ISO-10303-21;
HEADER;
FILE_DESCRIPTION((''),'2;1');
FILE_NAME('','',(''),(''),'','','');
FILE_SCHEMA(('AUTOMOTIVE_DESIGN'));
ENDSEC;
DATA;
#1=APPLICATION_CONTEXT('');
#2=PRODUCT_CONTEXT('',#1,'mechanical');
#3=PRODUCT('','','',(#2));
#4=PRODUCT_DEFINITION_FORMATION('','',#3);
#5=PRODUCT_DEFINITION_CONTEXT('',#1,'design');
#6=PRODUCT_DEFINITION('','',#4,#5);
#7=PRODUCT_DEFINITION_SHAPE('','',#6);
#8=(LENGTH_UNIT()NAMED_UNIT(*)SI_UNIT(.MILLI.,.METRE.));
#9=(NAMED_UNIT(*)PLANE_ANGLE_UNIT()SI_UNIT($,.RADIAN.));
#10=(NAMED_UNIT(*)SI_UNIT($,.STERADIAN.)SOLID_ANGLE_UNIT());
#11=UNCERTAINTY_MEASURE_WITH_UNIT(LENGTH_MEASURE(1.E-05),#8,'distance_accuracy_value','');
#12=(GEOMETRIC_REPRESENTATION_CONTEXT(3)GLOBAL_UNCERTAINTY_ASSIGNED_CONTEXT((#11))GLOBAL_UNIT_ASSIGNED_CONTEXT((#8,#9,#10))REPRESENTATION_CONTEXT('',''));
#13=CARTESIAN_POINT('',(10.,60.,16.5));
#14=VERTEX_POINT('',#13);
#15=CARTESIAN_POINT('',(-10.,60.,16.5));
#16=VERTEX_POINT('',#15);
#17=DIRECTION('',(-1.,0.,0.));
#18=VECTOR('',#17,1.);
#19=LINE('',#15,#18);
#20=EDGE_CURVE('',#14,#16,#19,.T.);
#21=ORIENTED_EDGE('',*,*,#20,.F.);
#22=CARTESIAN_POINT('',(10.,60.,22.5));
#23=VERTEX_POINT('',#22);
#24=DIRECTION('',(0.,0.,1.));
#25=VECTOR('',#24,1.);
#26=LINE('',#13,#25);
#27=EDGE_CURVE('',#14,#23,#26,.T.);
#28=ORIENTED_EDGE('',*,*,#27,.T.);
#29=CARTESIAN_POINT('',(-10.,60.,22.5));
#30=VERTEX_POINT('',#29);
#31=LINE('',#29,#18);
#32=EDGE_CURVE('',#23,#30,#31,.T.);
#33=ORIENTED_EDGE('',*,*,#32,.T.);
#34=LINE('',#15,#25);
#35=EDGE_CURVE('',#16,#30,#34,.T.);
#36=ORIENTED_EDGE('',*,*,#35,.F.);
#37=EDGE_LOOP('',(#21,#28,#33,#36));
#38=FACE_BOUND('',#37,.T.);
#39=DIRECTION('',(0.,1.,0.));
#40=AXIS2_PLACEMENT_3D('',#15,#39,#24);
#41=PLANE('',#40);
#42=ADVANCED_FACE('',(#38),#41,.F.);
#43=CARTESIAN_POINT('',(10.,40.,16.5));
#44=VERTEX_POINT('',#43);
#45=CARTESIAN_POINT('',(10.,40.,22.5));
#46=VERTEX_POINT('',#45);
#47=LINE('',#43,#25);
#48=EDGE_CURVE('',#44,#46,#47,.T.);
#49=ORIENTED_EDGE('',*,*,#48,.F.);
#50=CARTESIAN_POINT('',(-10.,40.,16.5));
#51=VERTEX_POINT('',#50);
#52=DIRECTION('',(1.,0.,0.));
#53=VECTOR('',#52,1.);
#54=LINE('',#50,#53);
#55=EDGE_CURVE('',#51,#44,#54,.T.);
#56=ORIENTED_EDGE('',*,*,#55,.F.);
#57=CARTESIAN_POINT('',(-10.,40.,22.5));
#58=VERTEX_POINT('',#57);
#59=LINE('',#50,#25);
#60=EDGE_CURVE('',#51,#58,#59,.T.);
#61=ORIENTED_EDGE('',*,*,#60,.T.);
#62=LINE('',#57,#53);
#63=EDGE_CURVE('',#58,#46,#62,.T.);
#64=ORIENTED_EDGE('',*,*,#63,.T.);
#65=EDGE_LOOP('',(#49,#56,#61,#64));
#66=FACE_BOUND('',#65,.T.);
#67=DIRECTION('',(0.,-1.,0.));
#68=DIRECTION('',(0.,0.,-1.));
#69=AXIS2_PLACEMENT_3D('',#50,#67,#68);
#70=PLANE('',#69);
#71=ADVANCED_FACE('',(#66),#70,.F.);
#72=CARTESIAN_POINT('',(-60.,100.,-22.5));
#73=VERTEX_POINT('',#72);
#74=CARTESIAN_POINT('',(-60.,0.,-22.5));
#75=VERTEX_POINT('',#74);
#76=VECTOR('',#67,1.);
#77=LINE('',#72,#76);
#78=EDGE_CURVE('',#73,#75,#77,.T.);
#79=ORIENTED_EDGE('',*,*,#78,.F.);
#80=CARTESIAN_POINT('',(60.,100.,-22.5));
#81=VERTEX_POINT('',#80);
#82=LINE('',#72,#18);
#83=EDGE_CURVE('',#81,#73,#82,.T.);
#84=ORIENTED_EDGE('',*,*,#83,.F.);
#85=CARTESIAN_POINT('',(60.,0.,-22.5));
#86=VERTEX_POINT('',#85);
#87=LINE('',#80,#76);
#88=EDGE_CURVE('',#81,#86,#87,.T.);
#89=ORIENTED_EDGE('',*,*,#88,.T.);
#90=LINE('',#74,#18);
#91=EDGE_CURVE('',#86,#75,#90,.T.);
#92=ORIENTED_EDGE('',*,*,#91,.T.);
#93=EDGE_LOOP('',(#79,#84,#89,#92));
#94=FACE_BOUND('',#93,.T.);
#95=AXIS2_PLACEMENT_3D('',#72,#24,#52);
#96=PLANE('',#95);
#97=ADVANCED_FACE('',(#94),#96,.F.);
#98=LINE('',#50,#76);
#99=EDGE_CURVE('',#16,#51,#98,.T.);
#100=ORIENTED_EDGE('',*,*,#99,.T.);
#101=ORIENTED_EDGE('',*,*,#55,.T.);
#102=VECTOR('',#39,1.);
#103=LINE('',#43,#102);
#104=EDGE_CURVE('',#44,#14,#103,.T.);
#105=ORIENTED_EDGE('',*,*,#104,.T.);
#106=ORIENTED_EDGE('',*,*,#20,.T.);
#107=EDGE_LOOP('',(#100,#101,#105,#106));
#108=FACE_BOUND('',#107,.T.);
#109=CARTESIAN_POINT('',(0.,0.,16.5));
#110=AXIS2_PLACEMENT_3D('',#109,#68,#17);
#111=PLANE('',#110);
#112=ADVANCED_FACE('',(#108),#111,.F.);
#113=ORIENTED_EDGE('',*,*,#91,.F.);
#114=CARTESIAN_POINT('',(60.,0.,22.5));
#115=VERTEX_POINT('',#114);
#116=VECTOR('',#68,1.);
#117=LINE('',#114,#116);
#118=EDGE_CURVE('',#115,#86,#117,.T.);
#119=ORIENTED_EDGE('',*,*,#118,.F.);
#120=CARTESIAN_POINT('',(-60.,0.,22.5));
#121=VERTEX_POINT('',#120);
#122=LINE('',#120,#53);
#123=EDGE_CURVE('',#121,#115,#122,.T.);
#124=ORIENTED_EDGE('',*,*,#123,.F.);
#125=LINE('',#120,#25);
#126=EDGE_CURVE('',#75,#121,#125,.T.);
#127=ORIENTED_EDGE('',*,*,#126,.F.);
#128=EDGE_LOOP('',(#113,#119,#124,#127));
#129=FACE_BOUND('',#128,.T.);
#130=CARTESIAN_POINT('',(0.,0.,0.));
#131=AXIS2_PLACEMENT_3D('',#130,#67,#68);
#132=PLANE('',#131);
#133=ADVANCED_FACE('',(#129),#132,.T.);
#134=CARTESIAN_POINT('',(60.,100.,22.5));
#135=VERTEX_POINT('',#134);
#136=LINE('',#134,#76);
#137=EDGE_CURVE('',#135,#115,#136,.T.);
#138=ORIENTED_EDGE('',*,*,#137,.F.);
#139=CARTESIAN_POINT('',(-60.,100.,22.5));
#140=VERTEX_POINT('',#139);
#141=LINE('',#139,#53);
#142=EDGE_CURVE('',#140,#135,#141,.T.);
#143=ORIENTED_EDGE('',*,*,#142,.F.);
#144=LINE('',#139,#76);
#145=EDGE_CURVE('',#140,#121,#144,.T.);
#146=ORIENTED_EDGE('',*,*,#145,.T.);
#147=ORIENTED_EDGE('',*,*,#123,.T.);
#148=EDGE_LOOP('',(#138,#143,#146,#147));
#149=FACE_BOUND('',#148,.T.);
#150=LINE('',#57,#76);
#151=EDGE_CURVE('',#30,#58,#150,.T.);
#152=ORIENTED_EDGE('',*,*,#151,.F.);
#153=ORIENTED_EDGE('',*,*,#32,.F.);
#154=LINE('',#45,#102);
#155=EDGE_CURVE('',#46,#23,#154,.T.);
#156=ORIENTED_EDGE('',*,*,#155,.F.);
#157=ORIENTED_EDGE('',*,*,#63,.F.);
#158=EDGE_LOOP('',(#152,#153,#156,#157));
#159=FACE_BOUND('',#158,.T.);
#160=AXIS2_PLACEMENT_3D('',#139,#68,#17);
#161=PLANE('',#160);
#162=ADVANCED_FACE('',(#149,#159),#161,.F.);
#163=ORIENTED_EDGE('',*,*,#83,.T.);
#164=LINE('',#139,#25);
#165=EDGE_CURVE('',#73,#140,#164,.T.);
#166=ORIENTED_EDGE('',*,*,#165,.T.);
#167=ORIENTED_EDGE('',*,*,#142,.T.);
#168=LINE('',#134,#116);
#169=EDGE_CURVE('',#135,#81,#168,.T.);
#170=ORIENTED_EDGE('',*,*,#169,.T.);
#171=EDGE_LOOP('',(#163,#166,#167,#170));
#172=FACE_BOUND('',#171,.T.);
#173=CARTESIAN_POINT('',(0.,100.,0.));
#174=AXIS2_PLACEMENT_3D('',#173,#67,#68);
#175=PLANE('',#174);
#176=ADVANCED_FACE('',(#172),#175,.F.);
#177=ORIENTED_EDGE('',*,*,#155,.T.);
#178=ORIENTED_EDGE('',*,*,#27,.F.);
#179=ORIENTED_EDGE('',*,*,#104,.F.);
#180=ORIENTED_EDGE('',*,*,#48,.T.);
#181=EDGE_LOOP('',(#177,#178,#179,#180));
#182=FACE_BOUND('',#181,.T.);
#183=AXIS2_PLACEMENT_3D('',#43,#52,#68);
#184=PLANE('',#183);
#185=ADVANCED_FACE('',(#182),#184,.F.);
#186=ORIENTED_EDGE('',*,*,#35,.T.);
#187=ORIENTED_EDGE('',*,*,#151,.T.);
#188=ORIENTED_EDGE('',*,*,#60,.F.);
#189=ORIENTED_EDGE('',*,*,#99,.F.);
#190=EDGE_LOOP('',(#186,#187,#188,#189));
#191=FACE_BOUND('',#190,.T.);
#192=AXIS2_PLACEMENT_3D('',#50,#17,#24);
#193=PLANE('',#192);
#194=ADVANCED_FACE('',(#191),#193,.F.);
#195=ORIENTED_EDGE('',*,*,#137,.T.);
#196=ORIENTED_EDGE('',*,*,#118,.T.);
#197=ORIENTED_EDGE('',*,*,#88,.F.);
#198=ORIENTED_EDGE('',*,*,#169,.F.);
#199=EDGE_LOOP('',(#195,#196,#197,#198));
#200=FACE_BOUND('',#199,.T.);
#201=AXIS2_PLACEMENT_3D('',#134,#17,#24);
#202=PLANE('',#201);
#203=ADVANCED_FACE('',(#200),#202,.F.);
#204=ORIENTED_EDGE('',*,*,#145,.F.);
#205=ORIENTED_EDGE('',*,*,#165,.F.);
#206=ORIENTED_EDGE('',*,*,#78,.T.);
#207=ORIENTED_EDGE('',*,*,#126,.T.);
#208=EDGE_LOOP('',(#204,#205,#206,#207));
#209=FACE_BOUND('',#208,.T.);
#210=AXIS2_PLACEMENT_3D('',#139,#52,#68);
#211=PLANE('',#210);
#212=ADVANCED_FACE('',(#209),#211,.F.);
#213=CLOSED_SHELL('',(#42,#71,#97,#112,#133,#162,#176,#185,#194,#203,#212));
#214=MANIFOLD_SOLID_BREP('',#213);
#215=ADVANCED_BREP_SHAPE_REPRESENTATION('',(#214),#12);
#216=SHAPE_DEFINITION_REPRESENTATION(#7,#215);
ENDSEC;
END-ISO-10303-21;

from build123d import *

# Parameters (mm, degrees)
SKETCH1_W           = 120
SKETCH1_H           = 45
BOSS_EXTRUDE1_DEPTH = 100
SKETCH3_W           = 20
SKETCH3_H           = 20
CUT_EXTRUDE2_DEPTH  = 6


with BuildPart() as part:
    # Sketch1 → Boss-Extrude1 (new body)
    with BuildSketch(Plane(origin=(0, 0, 0), x_dir=(1, 0, 0), z_dir=(0, 1, 0))):
        Rectangle(SKETCH1_W, SKETCH1_H)
    extrude(amount=BOSS_EXTRUDE1_DEPTH)

    # Sketch3 → Cut-Extrude2 (cut)
    with BuildSketch(Plane.XY.offset(22.5)):
        with Locations((0, 50)):
            Rectangle(SKETCH3_W, SKETCH3_H)
    extrude(amount=-CUT_EXTRUDE2_DEPTH, mode=Mode.SUBTRACT)


solid = part.part
